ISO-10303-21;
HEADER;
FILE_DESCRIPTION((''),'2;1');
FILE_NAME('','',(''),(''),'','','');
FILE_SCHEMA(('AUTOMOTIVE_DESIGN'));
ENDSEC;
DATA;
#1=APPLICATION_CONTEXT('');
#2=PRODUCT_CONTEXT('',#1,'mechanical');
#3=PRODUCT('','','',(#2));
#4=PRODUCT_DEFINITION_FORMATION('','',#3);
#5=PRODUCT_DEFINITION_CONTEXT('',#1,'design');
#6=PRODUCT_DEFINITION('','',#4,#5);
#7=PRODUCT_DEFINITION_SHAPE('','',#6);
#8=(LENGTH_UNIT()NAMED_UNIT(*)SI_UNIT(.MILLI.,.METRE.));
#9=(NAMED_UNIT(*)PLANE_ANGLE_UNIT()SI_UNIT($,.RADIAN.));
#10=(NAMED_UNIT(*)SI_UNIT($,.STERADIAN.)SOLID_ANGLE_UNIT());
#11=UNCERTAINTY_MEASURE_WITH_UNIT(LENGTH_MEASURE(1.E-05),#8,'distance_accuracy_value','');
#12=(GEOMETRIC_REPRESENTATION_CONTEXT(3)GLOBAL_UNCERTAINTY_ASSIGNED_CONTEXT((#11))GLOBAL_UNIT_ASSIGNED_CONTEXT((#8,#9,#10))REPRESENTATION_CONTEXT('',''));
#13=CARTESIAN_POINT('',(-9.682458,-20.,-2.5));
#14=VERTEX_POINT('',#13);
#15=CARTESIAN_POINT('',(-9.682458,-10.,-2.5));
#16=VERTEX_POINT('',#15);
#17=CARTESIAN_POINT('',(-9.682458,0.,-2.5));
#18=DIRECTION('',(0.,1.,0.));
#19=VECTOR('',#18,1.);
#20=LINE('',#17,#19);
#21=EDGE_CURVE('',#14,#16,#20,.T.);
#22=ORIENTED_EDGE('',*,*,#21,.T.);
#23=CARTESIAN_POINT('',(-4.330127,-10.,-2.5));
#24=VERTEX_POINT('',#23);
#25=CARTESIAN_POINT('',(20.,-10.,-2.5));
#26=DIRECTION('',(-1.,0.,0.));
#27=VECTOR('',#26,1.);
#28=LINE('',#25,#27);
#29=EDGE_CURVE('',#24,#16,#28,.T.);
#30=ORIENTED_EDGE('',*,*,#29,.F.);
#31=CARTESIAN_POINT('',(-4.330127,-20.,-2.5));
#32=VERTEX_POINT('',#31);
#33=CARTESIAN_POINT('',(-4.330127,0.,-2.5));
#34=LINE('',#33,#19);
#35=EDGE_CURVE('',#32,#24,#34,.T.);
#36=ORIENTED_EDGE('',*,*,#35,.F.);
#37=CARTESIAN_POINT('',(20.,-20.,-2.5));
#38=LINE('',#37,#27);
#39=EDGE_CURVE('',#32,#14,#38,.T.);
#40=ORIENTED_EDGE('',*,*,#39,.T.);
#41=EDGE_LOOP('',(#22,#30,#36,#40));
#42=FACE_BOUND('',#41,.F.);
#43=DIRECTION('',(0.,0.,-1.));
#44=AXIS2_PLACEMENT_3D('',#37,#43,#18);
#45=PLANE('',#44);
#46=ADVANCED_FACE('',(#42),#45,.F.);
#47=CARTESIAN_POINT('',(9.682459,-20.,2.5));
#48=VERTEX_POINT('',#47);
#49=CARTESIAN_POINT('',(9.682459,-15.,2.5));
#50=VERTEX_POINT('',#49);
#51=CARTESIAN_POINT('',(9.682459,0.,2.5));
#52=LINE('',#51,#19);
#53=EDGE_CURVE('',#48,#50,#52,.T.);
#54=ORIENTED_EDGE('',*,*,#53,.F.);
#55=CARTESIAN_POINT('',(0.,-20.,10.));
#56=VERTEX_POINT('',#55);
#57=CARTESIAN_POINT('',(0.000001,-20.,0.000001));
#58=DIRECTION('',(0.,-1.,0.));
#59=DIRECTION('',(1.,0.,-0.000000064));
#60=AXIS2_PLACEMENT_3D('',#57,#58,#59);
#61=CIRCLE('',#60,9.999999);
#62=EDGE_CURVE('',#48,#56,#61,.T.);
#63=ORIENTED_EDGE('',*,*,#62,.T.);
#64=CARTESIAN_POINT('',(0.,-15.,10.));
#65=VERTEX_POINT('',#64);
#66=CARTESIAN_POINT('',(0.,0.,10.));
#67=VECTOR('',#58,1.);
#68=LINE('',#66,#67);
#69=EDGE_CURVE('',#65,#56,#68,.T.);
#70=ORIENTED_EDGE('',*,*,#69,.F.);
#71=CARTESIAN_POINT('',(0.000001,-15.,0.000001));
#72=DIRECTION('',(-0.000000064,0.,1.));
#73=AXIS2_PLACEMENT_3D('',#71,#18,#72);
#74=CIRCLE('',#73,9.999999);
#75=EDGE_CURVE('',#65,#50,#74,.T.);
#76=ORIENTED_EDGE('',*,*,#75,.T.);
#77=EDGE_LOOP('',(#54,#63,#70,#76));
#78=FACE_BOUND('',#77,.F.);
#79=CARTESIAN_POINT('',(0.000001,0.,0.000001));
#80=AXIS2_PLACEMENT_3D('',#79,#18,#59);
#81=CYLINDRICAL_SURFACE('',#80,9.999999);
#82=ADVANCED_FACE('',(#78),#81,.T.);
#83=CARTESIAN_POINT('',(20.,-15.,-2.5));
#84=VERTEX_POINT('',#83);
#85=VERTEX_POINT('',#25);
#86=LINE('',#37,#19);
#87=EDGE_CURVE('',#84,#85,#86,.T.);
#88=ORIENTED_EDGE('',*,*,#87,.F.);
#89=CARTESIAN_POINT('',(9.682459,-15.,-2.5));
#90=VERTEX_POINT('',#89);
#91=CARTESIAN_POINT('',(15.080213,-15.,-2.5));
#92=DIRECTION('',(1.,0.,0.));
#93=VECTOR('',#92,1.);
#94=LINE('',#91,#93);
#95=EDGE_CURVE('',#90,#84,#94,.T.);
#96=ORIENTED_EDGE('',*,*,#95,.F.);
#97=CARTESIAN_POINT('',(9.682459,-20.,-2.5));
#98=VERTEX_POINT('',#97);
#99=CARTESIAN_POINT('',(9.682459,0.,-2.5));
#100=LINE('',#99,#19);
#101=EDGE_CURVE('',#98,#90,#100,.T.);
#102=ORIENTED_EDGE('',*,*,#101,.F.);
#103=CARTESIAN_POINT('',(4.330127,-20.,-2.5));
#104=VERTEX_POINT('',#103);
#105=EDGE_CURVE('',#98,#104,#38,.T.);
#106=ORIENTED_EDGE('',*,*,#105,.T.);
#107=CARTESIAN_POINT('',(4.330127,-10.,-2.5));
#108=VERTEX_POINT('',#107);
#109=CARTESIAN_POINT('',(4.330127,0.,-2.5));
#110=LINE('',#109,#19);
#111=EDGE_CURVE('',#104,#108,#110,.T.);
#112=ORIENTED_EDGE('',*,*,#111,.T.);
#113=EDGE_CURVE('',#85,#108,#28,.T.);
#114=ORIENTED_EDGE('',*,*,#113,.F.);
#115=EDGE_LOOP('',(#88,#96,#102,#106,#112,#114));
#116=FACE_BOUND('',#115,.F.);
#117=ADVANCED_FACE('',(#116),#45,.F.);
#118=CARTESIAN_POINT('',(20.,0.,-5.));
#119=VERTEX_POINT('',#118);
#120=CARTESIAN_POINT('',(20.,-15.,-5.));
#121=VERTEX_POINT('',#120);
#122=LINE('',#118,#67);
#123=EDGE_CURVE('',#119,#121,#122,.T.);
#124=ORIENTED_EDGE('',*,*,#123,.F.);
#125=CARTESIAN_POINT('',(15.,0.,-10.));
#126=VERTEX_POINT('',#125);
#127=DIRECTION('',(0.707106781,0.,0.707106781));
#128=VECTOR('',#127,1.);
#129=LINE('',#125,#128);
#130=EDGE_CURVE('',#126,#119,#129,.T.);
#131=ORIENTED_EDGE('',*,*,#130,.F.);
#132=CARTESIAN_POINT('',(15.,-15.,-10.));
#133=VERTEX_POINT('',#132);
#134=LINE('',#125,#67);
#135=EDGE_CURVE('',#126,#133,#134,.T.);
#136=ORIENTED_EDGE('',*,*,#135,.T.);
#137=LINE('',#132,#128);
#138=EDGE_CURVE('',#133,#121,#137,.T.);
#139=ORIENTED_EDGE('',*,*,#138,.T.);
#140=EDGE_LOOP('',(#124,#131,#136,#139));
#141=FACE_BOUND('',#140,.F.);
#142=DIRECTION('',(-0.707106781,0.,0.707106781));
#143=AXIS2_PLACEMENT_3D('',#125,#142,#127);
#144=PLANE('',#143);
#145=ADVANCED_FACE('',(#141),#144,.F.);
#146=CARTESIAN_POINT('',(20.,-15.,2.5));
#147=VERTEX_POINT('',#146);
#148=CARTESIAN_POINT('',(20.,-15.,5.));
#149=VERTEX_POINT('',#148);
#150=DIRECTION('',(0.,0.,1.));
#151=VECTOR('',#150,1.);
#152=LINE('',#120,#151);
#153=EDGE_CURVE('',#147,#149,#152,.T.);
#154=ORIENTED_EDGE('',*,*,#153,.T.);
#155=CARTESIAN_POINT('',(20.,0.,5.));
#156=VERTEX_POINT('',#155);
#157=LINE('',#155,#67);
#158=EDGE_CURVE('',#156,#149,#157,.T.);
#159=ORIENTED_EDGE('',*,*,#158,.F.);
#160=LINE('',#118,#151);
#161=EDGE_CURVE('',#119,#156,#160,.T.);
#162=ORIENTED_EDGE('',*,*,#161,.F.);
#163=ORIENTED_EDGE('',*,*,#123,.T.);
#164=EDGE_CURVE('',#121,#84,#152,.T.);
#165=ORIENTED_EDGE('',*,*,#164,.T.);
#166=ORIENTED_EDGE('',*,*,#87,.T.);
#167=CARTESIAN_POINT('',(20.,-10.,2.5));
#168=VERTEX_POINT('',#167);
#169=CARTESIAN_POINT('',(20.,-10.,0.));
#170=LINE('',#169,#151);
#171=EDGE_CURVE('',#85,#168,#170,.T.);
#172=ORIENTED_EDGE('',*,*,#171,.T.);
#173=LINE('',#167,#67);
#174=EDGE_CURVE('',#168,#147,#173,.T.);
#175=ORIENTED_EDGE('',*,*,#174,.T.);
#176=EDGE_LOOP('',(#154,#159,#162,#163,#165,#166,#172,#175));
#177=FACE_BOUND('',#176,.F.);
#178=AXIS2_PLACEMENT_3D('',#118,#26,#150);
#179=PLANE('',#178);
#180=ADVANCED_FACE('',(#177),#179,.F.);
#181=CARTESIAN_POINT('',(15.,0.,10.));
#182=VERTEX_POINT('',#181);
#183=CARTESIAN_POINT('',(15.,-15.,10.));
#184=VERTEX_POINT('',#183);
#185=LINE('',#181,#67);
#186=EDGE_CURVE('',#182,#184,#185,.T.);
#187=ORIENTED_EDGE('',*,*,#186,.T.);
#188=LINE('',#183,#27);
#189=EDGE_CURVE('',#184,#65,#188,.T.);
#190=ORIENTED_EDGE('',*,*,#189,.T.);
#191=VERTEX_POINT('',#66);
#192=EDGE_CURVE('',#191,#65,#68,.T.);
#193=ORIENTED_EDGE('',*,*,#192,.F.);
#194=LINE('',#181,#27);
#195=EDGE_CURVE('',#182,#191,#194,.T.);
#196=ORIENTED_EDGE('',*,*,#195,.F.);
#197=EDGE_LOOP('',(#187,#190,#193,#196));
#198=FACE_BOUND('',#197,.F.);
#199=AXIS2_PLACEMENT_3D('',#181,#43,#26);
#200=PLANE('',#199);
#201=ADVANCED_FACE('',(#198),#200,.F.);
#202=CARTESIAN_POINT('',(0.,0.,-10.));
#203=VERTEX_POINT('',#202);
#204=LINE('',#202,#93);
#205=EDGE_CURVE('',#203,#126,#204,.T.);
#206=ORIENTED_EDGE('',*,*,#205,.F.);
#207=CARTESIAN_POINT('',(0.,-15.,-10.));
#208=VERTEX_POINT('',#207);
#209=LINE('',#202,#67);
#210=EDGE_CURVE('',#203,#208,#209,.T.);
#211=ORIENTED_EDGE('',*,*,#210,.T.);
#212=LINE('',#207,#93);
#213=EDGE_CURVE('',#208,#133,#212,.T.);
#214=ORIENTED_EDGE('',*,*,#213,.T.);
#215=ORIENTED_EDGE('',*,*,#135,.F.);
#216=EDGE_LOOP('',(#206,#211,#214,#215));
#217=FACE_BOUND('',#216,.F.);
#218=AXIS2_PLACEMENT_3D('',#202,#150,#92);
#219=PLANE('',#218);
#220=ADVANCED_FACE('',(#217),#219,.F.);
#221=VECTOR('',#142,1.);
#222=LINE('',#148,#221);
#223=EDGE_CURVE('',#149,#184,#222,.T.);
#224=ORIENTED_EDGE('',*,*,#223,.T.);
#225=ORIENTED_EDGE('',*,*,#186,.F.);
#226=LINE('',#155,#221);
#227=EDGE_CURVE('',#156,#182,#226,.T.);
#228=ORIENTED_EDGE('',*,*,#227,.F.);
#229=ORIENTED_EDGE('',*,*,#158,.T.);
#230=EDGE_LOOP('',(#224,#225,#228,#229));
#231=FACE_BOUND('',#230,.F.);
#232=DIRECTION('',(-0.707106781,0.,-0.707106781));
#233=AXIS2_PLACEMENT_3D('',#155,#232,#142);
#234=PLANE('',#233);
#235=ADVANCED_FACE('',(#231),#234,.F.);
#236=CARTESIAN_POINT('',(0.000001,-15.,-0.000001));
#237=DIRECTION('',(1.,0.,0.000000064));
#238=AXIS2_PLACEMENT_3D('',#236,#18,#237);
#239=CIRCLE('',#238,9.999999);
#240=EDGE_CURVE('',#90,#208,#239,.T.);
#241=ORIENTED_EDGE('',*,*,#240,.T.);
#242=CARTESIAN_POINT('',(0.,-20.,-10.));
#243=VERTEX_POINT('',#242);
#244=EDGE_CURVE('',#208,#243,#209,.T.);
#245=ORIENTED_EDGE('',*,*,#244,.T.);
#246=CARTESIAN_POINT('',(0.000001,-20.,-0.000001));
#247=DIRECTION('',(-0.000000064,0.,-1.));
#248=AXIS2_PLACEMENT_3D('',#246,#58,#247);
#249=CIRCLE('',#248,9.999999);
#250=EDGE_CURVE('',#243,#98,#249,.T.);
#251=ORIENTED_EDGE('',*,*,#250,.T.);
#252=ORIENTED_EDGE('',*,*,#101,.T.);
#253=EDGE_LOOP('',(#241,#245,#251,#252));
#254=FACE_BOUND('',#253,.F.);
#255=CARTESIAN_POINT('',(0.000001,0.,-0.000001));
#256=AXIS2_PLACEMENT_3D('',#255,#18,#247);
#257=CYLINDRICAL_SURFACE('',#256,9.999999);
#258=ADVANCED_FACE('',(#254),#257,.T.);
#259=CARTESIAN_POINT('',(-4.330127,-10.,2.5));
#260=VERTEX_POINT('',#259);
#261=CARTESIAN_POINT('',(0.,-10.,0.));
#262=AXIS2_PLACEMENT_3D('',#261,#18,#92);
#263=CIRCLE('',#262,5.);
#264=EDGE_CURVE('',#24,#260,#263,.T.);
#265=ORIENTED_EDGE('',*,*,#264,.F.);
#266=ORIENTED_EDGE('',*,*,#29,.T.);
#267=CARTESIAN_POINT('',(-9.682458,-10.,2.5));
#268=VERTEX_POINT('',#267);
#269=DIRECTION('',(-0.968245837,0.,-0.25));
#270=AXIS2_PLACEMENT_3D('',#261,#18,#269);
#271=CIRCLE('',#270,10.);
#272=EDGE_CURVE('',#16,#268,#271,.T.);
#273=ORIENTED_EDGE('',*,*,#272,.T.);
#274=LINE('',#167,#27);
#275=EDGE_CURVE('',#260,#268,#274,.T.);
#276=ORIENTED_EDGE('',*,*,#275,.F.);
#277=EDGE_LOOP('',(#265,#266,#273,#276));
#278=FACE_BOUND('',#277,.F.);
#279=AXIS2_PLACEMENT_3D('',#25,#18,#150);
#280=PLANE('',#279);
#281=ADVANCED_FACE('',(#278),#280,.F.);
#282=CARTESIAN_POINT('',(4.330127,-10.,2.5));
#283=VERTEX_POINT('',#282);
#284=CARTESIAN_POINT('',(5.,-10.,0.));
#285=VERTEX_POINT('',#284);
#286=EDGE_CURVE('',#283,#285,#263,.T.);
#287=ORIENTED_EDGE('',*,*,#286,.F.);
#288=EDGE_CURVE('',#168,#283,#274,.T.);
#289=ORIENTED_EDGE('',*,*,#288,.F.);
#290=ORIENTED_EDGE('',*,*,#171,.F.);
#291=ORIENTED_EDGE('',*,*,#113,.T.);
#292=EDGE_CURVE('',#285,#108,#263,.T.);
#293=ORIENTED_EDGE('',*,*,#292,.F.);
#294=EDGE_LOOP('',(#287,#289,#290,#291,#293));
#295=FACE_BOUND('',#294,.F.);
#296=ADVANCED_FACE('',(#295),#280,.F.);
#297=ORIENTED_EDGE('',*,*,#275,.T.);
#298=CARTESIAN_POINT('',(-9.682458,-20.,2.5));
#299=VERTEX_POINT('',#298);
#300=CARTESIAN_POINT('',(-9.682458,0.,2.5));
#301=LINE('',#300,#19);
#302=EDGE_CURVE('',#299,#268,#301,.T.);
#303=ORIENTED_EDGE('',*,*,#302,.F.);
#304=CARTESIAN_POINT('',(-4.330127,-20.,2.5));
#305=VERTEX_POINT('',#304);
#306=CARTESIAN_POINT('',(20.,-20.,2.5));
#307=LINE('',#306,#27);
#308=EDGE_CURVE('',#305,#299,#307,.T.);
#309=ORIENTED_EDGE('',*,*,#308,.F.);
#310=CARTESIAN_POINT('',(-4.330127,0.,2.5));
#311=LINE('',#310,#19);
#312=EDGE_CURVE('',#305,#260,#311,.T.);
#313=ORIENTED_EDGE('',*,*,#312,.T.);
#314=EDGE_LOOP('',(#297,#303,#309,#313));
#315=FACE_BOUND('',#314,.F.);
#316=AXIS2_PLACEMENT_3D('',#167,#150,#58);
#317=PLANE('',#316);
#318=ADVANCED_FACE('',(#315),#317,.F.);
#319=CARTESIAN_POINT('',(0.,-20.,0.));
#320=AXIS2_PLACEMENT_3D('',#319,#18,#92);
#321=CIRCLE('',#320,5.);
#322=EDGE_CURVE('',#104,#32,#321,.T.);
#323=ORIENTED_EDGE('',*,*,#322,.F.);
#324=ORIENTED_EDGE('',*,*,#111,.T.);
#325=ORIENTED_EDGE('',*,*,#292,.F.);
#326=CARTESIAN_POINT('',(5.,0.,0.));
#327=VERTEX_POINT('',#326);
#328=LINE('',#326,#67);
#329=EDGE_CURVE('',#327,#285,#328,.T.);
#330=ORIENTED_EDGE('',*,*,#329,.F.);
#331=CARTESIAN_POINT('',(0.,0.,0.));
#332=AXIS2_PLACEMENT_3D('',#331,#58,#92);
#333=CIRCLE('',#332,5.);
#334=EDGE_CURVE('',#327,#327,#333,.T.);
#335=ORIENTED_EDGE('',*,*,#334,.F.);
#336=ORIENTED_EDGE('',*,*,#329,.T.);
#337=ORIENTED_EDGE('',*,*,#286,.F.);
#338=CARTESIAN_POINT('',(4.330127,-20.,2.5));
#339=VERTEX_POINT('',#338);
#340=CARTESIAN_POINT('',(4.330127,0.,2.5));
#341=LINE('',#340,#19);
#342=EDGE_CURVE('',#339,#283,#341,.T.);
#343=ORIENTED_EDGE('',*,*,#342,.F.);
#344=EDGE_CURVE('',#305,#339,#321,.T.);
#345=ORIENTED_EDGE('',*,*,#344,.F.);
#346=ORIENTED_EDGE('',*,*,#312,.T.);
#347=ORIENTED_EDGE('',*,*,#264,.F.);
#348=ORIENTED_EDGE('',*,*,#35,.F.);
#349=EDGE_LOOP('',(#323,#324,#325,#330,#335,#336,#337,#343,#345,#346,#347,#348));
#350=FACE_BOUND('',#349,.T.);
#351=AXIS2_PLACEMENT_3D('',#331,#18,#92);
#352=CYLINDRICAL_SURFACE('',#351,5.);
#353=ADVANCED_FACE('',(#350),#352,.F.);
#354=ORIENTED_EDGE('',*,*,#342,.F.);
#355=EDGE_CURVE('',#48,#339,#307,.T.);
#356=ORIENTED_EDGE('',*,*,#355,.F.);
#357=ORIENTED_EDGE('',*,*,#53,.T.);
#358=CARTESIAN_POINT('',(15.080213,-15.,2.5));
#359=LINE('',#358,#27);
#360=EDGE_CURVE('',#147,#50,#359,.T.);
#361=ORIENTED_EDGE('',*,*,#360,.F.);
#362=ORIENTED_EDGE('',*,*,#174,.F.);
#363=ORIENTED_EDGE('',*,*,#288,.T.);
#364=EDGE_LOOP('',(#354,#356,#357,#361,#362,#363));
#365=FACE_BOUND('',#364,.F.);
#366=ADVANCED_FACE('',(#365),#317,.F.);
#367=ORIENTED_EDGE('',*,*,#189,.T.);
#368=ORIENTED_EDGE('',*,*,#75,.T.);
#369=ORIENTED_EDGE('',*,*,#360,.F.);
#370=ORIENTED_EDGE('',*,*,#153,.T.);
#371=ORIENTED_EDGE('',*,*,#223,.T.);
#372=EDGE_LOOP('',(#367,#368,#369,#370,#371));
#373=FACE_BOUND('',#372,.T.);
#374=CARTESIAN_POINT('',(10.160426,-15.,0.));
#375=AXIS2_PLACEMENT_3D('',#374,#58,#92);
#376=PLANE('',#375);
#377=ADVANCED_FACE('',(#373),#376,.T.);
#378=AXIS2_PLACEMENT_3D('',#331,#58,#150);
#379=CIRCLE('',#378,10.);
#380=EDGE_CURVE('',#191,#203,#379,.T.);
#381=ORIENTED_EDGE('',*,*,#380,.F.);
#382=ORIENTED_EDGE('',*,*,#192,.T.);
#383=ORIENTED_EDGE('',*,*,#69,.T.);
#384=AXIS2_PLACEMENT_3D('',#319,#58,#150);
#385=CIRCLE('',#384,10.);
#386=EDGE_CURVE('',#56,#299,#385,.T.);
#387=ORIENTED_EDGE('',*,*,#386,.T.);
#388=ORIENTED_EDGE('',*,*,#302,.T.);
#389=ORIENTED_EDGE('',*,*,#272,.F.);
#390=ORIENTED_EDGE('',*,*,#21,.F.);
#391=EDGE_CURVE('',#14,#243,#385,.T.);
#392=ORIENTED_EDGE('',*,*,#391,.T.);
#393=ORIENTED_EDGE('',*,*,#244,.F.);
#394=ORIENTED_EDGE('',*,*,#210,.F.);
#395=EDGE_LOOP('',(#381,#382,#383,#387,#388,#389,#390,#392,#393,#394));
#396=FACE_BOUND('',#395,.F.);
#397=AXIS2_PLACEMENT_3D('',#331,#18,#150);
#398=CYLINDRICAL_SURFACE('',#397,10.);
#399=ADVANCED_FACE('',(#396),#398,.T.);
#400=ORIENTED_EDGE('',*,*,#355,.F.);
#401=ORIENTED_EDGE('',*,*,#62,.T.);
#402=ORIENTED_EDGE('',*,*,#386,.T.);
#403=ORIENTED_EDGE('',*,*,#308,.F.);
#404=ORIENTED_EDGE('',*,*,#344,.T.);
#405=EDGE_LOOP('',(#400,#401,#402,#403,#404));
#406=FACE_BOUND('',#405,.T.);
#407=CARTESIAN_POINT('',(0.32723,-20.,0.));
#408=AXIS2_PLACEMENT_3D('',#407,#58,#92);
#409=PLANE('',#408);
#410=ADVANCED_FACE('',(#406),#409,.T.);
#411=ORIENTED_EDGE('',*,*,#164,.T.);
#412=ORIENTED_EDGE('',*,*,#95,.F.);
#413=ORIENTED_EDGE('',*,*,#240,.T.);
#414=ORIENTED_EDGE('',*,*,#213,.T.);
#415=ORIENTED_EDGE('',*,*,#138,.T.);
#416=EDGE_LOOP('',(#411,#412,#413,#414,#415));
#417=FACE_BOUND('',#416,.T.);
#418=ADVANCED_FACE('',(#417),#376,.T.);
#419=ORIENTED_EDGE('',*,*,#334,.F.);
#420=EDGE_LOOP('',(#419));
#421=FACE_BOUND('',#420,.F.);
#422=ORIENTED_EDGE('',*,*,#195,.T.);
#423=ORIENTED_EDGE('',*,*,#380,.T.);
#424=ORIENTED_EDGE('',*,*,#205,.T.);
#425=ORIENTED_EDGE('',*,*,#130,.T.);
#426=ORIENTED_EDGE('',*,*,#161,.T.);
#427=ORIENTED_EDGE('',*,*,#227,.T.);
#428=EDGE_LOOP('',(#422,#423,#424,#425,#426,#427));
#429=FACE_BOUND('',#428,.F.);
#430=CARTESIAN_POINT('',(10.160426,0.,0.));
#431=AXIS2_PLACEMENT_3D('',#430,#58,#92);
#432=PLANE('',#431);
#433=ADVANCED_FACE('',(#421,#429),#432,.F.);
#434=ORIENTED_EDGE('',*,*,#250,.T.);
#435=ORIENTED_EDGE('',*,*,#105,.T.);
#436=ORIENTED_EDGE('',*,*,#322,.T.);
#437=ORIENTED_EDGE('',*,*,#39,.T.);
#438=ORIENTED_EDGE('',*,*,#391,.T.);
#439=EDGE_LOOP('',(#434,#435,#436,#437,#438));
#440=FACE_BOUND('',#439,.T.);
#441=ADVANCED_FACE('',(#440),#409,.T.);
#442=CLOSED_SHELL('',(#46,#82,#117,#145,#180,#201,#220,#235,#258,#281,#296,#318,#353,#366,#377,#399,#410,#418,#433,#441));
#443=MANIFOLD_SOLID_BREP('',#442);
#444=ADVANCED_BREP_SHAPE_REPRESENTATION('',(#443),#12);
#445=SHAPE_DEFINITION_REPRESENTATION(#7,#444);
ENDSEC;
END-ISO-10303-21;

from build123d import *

# Parameters (mm, degrees)
F1_DEPTH = 20
F2_DEPTH = 15
F3_W     = 5
F3_H     = 5
F4_DEPTH = 30
F5_R     = 5
F6_DEPTH = 25


with BuildPart() as f1:
    # F0 (on Front) → F1 (new body)
    with BuildSketch(Plane.XZ):
        with BuildLine():
            ThreePointArc((0, -10), (7.071068, -7.071068), (10, 0))
            ThreePointArc((10, 0), (7.071068, 7.071068), (0, 10))
            ThreePointArc((0, 10), (-10, 0), (0, -10))
        make_face()
    extrude(amount=F1_DEPTH)

    # F0 (on Front) → F2 (join)
    with BuildSketch(Plane.XZ):
        with BuildLine():
            ThreePointArc((0, 10), (7.071068, 7.071068), (10, 0))
            ThreePointArc((10, 0), (7.071068, -7.071068), (0, -10))
            Line((0, -10), (15, -10))
            Line((15, -10), (20, -5))
            Line((20, -5), (20, 0))
            Line((20, 0), (20, 5))
            Line((20, 5), (15, 10))
            Line((15, 10), (0, 10))
        make_face()
    extrude(amount=F2_DEPTH)

    # F3 (on face) → F4 (cut)
    with BuildSketch(Plane.YZ.offset(20)):
        with Locations((-17.5, 0)):
            Rectangle(F3_W, F3_H)
        with Locations((-12.5, 0)):
            Rectangle(F3_W, F3_H)
    extrude(amount=-F4_DEPTH, mode=Mode.SUBTRACT)

    # F5 (on Front) → F6 (cut)
    with BuildSketch(Plane.XZ):
        Circle(F5_R)
    extrude(amount=F6_DEPTH, mode=Mode.SUBTRACT)


solid = f1.part
